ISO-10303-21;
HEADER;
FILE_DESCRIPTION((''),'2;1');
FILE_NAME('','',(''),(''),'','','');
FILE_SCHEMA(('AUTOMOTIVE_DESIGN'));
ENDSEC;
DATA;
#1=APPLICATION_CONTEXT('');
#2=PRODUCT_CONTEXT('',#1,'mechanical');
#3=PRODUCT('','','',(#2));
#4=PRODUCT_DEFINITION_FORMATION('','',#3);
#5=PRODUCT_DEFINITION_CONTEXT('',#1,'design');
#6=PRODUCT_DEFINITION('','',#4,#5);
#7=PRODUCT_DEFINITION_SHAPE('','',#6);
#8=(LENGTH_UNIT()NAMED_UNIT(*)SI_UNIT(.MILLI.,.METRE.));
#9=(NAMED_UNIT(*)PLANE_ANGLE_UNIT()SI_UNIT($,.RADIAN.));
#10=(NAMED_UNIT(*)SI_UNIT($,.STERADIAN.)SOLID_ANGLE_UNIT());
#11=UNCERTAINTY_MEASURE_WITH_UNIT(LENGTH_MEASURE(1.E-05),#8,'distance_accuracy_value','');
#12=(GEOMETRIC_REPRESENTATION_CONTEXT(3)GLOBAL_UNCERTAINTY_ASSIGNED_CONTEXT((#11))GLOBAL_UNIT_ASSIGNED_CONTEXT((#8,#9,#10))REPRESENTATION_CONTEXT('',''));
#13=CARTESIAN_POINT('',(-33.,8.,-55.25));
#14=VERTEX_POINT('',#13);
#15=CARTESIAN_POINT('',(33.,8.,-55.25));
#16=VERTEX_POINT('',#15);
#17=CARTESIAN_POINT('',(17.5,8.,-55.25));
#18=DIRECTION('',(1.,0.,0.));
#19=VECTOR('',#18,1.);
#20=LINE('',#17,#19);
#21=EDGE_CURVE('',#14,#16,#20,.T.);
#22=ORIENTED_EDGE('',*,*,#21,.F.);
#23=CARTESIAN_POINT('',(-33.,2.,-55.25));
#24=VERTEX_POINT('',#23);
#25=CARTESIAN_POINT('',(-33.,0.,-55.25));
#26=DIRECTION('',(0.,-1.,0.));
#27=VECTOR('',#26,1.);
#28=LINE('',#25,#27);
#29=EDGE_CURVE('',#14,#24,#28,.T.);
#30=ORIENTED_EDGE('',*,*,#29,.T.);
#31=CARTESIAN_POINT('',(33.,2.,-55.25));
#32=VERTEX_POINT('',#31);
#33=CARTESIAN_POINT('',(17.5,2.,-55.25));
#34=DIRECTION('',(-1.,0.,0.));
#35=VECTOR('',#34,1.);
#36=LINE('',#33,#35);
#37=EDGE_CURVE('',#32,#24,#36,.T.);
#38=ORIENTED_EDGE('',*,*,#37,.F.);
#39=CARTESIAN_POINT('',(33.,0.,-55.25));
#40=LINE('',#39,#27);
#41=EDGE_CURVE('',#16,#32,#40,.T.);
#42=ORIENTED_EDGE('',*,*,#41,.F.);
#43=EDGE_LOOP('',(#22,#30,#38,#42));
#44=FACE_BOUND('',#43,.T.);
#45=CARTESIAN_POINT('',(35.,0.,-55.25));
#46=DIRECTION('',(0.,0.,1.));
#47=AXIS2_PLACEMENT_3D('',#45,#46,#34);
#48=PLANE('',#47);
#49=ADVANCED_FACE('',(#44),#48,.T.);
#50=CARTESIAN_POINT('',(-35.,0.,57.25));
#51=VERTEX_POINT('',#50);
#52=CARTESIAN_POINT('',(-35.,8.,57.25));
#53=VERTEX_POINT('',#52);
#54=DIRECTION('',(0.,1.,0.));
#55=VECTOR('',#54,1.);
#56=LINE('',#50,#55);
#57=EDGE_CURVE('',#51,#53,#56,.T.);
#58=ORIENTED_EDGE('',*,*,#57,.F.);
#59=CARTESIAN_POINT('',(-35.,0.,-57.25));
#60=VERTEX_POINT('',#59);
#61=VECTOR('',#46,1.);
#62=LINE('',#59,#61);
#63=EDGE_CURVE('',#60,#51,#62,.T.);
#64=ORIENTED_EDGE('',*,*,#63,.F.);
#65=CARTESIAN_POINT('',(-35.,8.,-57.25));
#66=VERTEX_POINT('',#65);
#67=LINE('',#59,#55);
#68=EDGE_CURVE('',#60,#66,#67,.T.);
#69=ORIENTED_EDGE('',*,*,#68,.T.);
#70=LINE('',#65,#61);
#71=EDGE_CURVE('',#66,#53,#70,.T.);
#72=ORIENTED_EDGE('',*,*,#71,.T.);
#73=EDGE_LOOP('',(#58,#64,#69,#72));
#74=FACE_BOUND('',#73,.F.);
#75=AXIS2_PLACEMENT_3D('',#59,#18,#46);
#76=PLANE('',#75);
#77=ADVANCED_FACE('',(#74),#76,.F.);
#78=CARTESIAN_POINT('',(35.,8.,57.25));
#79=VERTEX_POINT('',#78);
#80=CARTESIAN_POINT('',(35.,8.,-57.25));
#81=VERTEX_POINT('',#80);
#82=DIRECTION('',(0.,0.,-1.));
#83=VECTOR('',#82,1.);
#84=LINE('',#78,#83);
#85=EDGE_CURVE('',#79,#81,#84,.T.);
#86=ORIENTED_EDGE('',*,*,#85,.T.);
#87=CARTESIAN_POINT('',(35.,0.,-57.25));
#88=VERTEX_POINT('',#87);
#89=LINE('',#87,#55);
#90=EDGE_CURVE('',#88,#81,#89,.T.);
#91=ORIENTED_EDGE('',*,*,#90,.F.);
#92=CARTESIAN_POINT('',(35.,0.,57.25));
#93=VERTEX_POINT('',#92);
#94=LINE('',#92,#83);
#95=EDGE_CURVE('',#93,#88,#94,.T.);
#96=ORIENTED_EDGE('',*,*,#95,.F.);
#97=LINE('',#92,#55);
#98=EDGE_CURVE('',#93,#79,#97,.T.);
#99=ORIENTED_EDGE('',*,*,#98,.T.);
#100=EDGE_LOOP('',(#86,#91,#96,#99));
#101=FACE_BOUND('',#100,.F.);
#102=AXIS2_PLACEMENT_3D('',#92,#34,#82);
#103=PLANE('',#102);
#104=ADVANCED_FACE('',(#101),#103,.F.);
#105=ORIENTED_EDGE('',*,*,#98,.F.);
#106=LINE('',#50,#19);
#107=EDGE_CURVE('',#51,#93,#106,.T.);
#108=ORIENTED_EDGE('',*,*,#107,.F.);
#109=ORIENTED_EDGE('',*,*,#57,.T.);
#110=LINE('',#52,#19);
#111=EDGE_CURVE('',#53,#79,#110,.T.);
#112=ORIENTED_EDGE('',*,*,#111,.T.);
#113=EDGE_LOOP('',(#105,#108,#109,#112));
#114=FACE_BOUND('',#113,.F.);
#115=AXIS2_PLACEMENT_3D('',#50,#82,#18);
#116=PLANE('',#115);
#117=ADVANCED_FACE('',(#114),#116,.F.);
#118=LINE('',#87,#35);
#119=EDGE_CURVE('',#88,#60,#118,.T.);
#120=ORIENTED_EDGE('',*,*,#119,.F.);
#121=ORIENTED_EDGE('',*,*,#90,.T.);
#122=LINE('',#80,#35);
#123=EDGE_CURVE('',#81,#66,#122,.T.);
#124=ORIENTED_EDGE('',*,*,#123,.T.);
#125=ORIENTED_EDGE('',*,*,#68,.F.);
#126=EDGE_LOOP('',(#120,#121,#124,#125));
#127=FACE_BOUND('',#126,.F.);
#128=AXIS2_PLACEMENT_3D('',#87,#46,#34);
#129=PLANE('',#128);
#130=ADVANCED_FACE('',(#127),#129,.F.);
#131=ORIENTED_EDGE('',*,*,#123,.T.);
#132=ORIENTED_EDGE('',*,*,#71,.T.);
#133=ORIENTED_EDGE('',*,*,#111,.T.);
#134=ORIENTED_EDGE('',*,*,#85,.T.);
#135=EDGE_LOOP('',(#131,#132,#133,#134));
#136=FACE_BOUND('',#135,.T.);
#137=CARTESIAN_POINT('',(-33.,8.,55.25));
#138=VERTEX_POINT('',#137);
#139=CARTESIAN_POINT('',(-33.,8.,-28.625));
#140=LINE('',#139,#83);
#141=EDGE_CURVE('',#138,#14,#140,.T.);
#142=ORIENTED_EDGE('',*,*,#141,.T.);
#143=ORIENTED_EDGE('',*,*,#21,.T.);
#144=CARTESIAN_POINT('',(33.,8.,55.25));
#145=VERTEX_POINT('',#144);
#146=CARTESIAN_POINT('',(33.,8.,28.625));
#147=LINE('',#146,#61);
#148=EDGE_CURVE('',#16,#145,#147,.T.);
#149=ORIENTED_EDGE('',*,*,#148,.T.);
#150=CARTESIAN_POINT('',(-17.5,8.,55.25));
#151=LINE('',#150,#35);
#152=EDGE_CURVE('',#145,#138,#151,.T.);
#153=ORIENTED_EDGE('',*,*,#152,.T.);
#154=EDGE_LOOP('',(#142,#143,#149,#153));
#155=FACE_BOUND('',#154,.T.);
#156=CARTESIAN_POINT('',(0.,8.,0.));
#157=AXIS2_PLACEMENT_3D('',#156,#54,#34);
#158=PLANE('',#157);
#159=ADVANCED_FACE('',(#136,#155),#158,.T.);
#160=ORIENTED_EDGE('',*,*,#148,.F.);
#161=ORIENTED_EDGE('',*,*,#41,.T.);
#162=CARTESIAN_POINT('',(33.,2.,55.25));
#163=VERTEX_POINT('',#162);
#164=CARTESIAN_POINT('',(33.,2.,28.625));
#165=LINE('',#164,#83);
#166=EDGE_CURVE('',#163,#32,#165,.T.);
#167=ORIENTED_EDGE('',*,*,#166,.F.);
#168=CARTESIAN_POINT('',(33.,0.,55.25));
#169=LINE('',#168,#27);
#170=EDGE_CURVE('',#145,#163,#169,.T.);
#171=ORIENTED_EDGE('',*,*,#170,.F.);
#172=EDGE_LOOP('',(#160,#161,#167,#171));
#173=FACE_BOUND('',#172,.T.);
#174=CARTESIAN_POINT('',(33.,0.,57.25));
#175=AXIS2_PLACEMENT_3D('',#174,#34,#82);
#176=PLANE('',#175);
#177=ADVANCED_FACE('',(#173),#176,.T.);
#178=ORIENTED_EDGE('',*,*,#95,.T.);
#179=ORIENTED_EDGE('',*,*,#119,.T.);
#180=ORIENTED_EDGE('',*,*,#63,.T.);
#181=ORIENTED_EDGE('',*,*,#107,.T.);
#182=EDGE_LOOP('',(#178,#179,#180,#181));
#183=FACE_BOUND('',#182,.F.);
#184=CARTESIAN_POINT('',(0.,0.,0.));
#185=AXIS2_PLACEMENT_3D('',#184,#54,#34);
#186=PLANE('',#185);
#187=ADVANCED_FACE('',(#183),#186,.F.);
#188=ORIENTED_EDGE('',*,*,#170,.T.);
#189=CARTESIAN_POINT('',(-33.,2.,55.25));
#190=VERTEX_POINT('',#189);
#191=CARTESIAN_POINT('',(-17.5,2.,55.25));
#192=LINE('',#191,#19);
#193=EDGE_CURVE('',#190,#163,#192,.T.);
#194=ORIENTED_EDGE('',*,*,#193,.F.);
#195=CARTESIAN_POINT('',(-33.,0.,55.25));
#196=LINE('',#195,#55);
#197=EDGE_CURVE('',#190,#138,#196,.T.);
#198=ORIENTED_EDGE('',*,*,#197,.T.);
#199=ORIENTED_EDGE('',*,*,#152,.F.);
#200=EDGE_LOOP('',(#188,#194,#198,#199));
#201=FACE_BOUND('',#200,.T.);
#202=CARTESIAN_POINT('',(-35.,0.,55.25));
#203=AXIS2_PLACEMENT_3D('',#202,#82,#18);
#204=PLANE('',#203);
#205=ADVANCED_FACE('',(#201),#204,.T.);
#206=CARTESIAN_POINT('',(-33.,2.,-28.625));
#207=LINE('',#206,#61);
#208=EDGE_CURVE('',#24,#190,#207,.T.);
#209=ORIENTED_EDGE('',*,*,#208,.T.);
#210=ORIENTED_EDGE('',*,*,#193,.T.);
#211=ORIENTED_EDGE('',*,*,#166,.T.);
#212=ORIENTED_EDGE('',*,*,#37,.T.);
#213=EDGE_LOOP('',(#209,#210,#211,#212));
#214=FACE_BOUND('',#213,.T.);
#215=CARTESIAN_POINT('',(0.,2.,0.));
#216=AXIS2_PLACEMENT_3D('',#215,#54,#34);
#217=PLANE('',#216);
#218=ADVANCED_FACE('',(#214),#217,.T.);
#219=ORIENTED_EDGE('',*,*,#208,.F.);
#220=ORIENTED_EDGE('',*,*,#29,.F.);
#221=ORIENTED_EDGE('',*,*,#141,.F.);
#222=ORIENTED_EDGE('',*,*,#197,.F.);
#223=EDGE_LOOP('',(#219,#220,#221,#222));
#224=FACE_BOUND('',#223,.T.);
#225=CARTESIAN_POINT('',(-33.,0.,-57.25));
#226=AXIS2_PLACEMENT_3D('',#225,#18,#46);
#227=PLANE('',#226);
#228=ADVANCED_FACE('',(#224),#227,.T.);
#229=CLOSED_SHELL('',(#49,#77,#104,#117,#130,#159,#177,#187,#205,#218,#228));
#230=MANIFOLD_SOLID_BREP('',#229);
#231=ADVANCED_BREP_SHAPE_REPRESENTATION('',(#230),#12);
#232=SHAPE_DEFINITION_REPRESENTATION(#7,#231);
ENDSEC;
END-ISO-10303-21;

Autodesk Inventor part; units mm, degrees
ref_plane "YZ Plane" through (0, 0, 0) normal (1, 0, 0) x (0, 1, 0)
ref_plane "XZ Plane" through (0, 0, 0) normal (0, 1, 0) x (-1, 0, 0)
ref_plane "XY Plane" through (0, 0, 0) normal (0, 0, 1) x (1, 0, 0)
sketch "Sketch1" plane through (0, 0, 0) normal (0, 1, 0) x (-1, 0, 0)
  line L0 (35, 57.25) -> (-35, 57.25)
  line L1 (-35, 57.25) -> (-35, -57.25)
  line L2 (-35, -57.25) -> (35, -57.25)
  line L3 (35, -57.25) -> (35, 57.25)
  line L4 (35, 57.25) -> (-35, -57.25) construction
  line L5 (-35, 57.25) -> (35, -57.25) construction
  point P0 (0, 0)
  dimension "d0" = 70
  dimension "d1" = 114.5
extrude "Extrusion1" add sketch "Sketch1" along normal blind 8
shell "Shell1" thickness 2 removed faces 1 at (-11.6667, 8, -19.0833)
properties part number "cap"
